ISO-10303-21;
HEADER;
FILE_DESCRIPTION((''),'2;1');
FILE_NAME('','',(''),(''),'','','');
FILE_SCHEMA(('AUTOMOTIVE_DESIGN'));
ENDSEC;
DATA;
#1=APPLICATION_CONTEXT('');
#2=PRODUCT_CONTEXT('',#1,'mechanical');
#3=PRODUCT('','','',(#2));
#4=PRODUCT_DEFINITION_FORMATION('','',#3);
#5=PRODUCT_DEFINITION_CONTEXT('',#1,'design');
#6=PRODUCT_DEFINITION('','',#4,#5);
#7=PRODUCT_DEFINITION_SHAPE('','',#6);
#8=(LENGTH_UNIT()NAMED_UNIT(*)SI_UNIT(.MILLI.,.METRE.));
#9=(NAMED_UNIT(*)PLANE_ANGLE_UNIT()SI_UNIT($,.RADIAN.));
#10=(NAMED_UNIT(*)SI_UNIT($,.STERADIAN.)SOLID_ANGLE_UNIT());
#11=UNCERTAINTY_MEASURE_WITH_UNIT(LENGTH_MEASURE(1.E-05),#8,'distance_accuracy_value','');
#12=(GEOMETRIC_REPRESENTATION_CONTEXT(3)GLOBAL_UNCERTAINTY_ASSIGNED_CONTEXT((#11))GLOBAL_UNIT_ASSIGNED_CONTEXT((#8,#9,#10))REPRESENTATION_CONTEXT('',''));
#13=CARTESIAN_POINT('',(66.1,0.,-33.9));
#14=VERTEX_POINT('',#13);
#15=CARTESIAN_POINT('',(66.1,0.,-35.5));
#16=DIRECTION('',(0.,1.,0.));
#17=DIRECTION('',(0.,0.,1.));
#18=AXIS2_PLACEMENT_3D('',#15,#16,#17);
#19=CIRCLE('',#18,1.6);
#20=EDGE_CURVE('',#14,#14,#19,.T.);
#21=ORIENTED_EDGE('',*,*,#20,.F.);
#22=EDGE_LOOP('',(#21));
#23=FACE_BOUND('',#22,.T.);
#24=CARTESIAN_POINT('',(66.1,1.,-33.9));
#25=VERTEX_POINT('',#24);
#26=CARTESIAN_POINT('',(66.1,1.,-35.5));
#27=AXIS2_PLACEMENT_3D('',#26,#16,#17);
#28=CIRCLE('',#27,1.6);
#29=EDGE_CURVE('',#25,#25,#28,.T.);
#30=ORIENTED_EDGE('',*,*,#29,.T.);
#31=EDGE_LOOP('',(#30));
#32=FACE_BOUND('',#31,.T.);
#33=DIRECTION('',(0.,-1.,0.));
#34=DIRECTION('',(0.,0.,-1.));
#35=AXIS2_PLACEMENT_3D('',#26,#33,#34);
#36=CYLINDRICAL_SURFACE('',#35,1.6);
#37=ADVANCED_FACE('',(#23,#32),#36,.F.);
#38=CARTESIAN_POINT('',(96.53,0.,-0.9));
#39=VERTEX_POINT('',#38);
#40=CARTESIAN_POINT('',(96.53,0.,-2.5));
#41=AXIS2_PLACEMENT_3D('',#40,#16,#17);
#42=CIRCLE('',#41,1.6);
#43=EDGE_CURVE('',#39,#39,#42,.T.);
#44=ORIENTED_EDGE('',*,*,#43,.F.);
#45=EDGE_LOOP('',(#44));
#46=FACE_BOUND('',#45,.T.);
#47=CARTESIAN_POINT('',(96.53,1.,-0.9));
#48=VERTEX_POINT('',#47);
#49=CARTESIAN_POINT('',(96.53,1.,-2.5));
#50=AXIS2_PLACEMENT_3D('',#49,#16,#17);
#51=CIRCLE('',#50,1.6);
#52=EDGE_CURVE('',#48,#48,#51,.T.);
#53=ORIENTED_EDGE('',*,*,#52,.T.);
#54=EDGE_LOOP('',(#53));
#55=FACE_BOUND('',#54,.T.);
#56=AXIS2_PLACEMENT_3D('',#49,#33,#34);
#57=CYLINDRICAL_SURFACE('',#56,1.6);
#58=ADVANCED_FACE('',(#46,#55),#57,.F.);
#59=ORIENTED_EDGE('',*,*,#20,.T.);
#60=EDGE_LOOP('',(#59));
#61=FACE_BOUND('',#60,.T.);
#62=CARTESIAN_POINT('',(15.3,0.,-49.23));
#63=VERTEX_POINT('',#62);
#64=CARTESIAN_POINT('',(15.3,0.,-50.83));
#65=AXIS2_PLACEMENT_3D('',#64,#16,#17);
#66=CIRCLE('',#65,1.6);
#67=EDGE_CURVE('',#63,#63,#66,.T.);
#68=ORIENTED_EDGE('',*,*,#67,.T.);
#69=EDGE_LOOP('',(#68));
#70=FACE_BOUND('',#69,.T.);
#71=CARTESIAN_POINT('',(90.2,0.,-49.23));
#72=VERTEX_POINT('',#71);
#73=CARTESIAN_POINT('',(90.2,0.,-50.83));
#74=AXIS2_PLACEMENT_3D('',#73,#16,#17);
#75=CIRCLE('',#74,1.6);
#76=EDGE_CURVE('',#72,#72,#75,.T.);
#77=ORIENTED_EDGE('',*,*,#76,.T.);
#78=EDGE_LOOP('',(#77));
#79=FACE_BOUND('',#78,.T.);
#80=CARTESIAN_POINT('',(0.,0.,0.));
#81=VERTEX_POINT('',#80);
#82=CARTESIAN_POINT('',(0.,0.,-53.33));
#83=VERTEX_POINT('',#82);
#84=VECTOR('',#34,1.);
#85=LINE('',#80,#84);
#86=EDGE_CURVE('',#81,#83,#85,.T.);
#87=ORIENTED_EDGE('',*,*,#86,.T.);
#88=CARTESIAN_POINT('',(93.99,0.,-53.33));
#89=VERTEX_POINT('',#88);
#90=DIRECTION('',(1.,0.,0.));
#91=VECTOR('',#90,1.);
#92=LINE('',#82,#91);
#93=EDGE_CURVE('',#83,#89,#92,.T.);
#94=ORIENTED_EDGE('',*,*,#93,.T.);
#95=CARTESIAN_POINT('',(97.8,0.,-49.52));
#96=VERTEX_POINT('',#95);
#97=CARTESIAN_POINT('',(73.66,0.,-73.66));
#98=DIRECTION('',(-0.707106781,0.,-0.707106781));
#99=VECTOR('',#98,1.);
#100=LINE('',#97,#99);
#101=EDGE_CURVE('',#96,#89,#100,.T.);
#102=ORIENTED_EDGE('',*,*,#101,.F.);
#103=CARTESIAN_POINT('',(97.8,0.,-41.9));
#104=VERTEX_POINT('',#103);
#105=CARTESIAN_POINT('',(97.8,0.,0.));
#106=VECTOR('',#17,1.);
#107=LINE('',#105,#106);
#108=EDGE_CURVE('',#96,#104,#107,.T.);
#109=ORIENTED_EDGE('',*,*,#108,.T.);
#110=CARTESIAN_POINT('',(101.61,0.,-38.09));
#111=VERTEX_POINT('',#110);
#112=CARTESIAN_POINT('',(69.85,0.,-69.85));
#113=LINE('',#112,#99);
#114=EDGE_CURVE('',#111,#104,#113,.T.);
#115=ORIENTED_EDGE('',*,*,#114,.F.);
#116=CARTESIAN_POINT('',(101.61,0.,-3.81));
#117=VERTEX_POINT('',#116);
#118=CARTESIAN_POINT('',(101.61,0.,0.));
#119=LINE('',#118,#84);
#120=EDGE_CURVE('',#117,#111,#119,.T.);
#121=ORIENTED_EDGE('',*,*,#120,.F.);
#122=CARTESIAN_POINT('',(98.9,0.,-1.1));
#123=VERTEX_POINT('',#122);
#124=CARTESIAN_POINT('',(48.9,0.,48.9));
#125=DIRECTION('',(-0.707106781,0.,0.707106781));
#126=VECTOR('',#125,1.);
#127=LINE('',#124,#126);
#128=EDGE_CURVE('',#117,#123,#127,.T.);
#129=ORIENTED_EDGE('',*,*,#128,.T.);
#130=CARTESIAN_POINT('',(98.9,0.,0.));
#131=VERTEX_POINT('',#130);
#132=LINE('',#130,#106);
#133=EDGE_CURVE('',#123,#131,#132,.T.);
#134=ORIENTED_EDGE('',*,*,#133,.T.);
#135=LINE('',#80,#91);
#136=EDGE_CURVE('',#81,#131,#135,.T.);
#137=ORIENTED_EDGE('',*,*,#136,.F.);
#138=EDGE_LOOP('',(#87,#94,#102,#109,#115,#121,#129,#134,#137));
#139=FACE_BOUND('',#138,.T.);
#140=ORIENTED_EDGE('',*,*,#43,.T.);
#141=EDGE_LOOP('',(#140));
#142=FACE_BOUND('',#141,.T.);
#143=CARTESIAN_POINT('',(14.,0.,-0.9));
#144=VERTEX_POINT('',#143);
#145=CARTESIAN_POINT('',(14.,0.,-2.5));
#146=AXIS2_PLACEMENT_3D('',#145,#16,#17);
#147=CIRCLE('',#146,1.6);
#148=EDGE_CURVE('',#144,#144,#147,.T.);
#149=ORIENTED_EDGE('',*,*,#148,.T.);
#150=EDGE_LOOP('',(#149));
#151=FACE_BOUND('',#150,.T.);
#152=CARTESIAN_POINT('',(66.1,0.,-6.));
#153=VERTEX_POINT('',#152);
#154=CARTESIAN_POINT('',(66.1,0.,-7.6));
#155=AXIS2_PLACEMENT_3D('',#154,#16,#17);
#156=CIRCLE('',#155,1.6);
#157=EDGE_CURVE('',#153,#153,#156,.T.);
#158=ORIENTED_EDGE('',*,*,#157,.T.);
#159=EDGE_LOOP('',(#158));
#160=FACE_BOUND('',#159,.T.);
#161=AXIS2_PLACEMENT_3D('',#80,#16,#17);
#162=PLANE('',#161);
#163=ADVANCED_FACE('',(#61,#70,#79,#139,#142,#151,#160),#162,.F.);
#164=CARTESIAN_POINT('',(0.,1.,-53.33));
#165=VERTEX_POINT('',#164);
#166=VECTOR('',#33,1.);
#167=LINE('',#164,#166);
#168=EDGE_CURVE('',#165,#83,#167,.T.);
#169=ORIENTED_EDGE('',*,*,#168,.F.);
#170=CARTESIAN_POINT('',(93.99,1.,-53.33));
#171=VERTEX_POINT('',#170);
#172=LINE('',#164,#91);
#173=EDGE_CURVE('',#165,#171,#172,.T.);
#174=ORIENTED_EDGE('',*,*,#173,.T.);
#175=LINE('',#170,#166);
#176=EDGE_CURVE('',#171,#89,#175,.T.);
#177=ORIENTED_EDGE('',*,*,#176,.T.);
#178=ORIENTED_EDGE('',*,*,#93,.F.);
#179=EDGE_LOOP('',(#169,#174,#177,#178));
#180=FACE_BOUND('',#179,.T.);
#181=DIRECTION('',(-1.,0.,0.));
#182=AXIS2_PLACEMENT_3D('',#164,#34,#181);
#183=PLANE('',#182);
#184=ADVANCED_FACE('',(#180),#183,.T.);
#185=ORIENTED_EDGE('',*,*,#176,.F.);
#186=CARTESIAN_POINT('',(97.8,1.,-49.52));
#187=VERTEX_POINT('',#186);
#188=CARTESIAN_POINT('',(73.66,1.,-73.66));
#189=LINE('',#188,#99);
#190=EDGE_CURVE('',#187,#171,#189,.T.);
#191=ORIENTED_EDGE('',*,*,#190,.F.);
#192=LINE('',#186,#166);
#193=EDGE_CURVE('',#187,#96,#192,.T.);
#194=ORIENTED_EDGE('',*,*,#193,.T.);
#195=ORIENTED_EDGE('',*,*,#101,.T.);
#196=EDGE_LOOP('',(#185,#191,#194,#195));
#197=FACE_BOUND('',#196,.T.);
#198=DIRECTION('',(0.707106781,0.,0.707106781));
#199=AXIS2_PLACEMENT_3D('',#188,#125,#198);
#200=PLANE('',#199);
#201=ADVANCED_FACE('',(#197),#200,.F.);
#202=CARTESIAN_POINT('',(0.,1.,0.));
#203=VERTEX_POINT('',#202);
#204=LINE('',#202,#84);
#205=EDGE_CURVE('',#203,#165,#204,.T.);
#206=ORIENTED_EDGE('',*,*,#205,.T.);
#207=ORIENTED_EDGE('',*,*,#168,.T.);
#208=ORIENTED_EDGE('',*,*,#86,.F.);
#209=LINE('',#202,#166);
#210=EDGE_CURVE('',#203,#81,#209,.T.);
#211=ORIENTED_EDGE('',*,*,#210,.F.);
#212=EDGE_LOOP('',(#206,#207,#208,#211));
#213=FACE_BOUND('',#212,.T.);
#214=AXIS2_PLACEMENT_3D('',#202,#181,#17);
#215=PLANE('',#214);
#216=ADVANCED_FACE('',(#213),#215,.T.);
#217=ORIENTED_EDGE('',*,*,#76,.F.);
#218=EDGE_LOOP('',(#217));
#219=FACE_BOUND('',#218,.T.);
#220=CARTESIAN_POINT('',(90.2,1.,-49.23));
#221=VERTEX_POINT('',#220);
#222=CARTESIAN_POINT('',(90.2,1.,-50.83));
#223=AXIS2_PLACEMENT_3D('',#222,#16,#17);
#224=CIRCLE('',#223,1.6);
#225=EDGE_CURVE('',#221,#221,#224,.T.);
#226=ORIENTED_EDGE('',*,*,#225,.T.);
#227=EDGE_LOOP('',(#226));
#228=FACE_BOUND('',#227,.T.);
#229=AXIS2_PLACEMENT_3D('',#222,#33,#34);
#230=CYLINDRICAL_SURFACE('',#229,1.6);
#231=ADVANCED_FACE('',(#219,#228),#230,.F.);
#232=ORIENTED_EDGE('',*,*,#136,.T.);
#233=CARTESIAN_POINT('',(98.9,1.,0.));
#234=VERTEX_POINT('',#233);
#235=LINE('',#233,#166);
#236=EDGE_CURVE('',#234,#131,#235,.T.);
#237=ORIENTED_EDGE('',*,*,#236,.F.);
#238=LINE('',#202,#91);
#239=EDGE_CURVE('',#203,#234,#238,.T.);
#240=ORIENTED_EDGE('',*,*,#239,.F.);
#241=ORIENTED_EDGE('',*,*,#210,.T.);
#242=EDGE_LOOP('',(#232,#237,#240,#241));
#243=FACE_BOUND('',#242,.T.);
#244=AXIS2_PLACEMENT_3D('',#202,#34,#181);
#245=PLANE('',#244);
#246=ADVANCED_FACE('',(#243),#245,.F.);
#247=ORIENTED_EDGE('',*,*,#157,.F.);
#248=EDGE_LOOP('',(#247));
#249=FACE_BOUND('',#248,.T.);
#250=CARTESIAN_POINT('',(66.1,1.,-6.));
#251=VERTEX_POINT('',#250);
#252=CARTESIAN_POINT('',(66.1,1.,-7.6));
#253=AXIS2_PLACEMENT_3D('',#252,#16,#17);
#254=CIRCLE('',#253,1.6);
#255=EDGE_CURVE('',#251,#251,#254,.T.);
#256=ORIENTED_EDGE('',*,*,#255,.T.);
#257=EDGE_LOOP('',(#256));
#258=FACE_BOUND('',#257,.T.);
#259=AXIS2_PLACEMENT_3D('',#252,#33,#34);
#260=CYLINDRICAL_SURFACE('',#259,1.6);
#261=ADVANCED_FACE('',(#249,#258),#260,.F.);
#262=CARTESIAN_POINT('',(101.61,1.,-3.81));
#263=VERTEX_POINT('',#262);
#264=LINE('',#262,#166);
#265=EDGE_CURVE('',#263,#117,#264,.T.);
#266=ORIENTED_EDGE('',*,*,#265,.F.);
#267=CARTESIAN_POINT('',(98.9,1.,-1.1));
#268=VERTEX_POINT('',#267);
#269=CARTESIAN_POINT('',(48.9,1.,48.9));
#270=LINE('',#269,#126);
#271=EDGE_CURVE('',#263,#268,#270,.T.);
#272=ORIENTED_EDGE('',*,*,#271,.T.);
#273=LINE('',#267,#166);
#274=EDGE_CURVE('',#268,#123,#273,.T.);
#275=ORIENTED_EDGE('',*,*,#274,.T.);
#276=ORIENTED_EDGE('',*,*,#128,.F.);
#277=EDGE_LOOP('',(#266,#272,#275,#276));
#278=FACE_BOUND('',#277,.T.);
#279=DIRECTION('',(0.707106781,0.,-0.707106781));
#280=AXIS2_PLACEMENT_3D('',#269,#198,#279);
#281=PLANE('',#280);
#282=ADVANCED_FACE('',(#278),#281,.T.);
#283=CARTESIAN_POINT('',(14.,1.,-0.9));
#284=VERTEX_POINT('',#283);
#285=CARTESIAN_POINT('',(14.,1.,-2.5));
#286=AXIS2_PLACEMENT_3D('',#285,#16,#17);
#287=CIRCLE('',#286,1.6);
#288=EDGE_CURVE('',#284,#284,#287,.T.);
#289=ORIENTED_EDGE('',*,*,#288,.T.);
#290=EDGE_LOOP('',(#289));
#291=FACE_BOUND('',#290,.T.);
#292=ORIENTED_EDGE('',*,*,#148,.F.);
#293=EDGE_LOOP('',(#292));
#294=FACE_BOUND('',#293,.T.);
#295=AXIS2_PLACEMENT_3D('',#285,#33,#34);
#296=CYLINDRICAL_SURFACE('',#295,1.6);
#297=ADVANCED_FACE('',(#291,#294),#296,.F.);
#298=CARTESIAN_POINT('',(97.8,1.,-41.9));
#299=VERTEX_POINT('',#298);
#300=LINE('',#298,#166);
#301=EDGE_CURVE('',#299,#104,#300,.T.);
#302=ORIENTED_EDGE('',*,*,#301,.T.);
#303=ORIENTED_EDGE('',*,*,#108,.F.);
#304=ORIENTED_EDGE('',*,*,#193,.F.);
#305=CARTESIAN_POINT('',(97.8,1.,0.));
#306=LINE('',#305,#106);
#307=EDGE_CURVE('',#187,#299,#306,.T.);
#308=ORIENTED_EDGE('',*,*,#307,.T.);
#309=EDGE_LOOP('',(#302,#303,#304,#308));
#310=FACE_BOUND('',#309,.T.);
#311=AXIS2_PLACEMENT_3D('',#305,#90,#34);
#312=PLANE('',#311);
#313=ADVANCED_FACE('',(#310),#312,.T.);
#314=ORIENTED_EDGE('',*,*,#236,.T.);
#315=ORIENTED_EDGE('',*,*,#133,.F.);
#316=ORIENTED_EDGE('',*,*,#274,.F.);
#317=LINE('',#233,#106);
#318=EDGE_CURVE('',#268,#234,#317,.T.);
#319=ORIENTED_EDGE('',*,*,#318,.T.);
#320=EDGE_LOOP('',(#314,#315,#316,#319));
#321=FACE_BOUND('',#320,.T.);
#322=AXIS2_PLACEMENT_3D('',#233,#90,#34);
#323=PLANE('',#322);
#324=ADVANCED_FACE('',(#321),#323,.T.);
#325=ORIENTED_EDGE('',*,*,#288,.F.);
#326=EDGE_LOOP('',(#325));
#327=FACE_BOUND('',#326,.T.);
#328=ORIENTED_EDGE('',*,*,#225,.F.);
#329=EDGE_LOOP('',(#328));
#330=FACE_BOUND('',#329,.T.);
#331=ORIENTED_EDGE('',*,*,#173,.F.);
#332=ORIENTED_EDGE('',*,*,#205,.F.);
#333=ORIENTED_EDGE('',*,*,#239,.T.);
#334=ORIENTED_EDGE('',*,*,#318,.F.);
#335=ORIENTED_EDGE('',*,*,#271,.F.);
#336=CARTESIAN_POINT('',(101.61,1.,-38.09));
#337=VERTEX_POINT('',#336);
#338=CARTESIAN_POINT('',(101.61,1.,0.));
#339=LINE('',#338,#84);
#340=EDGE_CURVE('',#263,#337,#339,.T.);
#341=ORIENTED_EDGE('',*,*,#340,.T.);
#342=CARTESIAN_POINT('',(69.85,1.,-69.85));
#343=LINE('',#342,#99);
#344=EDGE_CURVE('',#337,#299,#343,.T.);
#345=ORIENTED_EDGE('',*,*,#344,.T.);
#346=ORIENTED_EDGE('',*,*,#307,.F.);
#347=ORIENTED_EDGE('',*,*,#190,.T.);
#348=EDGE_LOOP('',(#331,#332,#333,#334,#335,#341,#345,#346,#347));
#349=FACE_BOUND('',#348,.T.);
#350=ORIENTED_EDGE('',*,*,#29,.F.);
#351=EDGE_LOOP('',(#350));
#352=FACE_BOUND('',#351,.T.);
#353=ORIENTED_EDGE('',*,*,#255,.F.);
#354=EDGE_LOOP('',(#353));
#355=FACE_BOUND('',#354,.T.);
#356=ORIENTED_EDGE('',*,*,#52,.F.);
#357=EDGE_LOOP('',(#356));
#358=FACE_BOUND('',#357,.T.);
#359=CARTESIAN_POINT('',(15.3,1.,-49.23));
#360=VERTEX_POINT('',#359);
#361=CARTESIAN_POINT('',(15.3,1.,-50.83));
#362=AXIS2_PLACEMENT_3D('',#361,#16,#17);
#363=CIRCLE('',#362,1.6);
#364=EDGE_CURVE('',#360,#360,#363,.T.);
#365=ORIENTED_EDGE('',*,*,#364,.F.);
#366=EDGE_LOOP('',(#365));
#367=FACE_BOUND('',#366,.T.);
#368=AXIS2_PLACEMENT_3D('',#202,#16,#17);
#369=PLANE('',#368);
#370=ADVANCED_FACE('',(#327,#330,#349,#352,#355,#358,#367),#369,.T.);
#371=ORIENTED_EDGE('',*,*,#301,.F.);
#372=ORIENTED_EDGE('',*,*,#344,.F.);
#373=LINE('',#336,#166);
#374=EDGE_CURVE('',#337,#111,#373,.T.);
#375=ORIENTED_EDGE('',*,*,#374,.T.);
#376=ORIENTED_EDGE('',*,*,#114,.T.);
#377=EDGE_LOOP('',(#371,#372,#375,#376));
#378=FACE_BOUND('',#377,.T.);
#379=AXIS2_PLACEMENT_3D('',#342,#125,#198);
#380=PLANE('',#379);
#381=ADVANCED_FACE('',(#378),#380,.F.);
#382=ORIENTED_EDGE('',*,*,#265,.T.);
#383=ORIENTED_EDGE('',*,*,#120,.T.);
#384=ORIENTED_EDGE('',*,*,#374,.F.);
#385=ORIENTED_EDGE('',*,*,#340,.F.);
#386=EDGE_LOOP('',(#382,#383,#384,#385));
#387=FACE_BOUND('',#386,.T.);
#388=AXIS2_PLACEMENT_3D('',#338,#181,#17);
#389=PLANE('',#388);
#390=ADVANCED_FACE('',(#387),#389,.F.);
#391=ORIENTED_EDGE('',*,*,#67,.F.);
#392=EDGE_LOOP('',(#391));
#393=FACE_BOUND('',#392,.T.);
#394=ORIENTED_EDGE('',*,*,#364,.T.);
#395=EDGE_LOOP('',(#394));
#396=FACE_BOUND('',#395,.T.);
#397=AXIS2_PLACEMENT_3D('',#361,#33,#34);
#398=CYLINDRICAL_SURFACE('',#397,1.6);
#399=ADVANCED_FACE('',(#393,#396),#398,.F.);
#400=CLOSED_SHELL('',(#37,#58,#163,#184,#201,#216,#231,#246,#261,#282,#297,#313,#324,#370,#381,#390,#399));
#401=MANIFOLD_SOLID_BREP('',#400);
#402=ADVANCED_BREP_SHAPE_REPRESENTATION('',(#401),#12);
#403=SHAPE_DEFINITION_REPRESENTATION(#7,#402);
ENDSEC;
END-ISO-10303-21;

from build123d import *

# Parameters (mm, degrees)
SKETCH1_R              = 1.6
ARDUINO_TEMPLATE_DEPTH = 1


with BuildPart() as part:
    # Sketch1 → Arduino Template (new body)
    # profile 1 of 3: a face of its own
    with BuildSketch(Plane(origin=(0, 0, 0), x_dir=(1, 0, 0), z_dir=(0, 1, 0))):
        Polygon((101.61, 3.81), (101.61, 38.09), (97.8, 38.09), (97.8, 41.9), (97.8, 49.52), (93.99, 53.33), (0, 53.33), (0, 0), (97.8, 0), (98.9, 1.1), align=None)
        with Locations(Location((14, 2.5, 0), (0, 0, 270))):
            Circle(SKETCH1_R, mode=Mode.SUBTRACT)
        with Locations(Location((66.1, 7.6, 0), (0, 0, 270))):
            Circle(SKETCH1_R, mode=Mode.SUBTRACT)
        with Locations(Location((96.53, 2.5, 0), (0, 0, 270))):
            Circle(SKETCH1_R, mode=Mode.SUBTRACT)
        with Locations(Location((15.3, 50.83, 0), (0, 0, 270))):
            Circle(SKETCH1_R, mode=Mode.SUBTRACT)
        with Locations(Location((66.1, 35.5, 0), (0, 0, 270))):
            Circle(SKETCH1_R, mode=Mode.SUBTRACT)
        with Locations(Location((90.2, 50.83, 0), (0, 0, 270))):
            Circle(SKETCH1_R, mode=Mode.SUBTRACT)
    # profile 2 of 3: a face of its own
    with BuildSketch(Plane(origin=(0, 0, 0), x_dir=(1, 0, 0), z_dir=(0, 1, 0))):
        Polygon((98.9, 0), (98.9, 1.1), (97.8, 0), align=None)
    # profile 3 of 3: a face of its own
    with BuildSketch(Plane(origin=(0, 0, 0), x_dir=(1, 0, 0), z_dir=(0, 1, 0))):
        Polygon((97.8, 38.09), (101.61, 38.09), (97.8, 41.9), align=None)
    extrude(amount=ARDUINO_TEMPLATE_DEPTH)


solid = part.part
